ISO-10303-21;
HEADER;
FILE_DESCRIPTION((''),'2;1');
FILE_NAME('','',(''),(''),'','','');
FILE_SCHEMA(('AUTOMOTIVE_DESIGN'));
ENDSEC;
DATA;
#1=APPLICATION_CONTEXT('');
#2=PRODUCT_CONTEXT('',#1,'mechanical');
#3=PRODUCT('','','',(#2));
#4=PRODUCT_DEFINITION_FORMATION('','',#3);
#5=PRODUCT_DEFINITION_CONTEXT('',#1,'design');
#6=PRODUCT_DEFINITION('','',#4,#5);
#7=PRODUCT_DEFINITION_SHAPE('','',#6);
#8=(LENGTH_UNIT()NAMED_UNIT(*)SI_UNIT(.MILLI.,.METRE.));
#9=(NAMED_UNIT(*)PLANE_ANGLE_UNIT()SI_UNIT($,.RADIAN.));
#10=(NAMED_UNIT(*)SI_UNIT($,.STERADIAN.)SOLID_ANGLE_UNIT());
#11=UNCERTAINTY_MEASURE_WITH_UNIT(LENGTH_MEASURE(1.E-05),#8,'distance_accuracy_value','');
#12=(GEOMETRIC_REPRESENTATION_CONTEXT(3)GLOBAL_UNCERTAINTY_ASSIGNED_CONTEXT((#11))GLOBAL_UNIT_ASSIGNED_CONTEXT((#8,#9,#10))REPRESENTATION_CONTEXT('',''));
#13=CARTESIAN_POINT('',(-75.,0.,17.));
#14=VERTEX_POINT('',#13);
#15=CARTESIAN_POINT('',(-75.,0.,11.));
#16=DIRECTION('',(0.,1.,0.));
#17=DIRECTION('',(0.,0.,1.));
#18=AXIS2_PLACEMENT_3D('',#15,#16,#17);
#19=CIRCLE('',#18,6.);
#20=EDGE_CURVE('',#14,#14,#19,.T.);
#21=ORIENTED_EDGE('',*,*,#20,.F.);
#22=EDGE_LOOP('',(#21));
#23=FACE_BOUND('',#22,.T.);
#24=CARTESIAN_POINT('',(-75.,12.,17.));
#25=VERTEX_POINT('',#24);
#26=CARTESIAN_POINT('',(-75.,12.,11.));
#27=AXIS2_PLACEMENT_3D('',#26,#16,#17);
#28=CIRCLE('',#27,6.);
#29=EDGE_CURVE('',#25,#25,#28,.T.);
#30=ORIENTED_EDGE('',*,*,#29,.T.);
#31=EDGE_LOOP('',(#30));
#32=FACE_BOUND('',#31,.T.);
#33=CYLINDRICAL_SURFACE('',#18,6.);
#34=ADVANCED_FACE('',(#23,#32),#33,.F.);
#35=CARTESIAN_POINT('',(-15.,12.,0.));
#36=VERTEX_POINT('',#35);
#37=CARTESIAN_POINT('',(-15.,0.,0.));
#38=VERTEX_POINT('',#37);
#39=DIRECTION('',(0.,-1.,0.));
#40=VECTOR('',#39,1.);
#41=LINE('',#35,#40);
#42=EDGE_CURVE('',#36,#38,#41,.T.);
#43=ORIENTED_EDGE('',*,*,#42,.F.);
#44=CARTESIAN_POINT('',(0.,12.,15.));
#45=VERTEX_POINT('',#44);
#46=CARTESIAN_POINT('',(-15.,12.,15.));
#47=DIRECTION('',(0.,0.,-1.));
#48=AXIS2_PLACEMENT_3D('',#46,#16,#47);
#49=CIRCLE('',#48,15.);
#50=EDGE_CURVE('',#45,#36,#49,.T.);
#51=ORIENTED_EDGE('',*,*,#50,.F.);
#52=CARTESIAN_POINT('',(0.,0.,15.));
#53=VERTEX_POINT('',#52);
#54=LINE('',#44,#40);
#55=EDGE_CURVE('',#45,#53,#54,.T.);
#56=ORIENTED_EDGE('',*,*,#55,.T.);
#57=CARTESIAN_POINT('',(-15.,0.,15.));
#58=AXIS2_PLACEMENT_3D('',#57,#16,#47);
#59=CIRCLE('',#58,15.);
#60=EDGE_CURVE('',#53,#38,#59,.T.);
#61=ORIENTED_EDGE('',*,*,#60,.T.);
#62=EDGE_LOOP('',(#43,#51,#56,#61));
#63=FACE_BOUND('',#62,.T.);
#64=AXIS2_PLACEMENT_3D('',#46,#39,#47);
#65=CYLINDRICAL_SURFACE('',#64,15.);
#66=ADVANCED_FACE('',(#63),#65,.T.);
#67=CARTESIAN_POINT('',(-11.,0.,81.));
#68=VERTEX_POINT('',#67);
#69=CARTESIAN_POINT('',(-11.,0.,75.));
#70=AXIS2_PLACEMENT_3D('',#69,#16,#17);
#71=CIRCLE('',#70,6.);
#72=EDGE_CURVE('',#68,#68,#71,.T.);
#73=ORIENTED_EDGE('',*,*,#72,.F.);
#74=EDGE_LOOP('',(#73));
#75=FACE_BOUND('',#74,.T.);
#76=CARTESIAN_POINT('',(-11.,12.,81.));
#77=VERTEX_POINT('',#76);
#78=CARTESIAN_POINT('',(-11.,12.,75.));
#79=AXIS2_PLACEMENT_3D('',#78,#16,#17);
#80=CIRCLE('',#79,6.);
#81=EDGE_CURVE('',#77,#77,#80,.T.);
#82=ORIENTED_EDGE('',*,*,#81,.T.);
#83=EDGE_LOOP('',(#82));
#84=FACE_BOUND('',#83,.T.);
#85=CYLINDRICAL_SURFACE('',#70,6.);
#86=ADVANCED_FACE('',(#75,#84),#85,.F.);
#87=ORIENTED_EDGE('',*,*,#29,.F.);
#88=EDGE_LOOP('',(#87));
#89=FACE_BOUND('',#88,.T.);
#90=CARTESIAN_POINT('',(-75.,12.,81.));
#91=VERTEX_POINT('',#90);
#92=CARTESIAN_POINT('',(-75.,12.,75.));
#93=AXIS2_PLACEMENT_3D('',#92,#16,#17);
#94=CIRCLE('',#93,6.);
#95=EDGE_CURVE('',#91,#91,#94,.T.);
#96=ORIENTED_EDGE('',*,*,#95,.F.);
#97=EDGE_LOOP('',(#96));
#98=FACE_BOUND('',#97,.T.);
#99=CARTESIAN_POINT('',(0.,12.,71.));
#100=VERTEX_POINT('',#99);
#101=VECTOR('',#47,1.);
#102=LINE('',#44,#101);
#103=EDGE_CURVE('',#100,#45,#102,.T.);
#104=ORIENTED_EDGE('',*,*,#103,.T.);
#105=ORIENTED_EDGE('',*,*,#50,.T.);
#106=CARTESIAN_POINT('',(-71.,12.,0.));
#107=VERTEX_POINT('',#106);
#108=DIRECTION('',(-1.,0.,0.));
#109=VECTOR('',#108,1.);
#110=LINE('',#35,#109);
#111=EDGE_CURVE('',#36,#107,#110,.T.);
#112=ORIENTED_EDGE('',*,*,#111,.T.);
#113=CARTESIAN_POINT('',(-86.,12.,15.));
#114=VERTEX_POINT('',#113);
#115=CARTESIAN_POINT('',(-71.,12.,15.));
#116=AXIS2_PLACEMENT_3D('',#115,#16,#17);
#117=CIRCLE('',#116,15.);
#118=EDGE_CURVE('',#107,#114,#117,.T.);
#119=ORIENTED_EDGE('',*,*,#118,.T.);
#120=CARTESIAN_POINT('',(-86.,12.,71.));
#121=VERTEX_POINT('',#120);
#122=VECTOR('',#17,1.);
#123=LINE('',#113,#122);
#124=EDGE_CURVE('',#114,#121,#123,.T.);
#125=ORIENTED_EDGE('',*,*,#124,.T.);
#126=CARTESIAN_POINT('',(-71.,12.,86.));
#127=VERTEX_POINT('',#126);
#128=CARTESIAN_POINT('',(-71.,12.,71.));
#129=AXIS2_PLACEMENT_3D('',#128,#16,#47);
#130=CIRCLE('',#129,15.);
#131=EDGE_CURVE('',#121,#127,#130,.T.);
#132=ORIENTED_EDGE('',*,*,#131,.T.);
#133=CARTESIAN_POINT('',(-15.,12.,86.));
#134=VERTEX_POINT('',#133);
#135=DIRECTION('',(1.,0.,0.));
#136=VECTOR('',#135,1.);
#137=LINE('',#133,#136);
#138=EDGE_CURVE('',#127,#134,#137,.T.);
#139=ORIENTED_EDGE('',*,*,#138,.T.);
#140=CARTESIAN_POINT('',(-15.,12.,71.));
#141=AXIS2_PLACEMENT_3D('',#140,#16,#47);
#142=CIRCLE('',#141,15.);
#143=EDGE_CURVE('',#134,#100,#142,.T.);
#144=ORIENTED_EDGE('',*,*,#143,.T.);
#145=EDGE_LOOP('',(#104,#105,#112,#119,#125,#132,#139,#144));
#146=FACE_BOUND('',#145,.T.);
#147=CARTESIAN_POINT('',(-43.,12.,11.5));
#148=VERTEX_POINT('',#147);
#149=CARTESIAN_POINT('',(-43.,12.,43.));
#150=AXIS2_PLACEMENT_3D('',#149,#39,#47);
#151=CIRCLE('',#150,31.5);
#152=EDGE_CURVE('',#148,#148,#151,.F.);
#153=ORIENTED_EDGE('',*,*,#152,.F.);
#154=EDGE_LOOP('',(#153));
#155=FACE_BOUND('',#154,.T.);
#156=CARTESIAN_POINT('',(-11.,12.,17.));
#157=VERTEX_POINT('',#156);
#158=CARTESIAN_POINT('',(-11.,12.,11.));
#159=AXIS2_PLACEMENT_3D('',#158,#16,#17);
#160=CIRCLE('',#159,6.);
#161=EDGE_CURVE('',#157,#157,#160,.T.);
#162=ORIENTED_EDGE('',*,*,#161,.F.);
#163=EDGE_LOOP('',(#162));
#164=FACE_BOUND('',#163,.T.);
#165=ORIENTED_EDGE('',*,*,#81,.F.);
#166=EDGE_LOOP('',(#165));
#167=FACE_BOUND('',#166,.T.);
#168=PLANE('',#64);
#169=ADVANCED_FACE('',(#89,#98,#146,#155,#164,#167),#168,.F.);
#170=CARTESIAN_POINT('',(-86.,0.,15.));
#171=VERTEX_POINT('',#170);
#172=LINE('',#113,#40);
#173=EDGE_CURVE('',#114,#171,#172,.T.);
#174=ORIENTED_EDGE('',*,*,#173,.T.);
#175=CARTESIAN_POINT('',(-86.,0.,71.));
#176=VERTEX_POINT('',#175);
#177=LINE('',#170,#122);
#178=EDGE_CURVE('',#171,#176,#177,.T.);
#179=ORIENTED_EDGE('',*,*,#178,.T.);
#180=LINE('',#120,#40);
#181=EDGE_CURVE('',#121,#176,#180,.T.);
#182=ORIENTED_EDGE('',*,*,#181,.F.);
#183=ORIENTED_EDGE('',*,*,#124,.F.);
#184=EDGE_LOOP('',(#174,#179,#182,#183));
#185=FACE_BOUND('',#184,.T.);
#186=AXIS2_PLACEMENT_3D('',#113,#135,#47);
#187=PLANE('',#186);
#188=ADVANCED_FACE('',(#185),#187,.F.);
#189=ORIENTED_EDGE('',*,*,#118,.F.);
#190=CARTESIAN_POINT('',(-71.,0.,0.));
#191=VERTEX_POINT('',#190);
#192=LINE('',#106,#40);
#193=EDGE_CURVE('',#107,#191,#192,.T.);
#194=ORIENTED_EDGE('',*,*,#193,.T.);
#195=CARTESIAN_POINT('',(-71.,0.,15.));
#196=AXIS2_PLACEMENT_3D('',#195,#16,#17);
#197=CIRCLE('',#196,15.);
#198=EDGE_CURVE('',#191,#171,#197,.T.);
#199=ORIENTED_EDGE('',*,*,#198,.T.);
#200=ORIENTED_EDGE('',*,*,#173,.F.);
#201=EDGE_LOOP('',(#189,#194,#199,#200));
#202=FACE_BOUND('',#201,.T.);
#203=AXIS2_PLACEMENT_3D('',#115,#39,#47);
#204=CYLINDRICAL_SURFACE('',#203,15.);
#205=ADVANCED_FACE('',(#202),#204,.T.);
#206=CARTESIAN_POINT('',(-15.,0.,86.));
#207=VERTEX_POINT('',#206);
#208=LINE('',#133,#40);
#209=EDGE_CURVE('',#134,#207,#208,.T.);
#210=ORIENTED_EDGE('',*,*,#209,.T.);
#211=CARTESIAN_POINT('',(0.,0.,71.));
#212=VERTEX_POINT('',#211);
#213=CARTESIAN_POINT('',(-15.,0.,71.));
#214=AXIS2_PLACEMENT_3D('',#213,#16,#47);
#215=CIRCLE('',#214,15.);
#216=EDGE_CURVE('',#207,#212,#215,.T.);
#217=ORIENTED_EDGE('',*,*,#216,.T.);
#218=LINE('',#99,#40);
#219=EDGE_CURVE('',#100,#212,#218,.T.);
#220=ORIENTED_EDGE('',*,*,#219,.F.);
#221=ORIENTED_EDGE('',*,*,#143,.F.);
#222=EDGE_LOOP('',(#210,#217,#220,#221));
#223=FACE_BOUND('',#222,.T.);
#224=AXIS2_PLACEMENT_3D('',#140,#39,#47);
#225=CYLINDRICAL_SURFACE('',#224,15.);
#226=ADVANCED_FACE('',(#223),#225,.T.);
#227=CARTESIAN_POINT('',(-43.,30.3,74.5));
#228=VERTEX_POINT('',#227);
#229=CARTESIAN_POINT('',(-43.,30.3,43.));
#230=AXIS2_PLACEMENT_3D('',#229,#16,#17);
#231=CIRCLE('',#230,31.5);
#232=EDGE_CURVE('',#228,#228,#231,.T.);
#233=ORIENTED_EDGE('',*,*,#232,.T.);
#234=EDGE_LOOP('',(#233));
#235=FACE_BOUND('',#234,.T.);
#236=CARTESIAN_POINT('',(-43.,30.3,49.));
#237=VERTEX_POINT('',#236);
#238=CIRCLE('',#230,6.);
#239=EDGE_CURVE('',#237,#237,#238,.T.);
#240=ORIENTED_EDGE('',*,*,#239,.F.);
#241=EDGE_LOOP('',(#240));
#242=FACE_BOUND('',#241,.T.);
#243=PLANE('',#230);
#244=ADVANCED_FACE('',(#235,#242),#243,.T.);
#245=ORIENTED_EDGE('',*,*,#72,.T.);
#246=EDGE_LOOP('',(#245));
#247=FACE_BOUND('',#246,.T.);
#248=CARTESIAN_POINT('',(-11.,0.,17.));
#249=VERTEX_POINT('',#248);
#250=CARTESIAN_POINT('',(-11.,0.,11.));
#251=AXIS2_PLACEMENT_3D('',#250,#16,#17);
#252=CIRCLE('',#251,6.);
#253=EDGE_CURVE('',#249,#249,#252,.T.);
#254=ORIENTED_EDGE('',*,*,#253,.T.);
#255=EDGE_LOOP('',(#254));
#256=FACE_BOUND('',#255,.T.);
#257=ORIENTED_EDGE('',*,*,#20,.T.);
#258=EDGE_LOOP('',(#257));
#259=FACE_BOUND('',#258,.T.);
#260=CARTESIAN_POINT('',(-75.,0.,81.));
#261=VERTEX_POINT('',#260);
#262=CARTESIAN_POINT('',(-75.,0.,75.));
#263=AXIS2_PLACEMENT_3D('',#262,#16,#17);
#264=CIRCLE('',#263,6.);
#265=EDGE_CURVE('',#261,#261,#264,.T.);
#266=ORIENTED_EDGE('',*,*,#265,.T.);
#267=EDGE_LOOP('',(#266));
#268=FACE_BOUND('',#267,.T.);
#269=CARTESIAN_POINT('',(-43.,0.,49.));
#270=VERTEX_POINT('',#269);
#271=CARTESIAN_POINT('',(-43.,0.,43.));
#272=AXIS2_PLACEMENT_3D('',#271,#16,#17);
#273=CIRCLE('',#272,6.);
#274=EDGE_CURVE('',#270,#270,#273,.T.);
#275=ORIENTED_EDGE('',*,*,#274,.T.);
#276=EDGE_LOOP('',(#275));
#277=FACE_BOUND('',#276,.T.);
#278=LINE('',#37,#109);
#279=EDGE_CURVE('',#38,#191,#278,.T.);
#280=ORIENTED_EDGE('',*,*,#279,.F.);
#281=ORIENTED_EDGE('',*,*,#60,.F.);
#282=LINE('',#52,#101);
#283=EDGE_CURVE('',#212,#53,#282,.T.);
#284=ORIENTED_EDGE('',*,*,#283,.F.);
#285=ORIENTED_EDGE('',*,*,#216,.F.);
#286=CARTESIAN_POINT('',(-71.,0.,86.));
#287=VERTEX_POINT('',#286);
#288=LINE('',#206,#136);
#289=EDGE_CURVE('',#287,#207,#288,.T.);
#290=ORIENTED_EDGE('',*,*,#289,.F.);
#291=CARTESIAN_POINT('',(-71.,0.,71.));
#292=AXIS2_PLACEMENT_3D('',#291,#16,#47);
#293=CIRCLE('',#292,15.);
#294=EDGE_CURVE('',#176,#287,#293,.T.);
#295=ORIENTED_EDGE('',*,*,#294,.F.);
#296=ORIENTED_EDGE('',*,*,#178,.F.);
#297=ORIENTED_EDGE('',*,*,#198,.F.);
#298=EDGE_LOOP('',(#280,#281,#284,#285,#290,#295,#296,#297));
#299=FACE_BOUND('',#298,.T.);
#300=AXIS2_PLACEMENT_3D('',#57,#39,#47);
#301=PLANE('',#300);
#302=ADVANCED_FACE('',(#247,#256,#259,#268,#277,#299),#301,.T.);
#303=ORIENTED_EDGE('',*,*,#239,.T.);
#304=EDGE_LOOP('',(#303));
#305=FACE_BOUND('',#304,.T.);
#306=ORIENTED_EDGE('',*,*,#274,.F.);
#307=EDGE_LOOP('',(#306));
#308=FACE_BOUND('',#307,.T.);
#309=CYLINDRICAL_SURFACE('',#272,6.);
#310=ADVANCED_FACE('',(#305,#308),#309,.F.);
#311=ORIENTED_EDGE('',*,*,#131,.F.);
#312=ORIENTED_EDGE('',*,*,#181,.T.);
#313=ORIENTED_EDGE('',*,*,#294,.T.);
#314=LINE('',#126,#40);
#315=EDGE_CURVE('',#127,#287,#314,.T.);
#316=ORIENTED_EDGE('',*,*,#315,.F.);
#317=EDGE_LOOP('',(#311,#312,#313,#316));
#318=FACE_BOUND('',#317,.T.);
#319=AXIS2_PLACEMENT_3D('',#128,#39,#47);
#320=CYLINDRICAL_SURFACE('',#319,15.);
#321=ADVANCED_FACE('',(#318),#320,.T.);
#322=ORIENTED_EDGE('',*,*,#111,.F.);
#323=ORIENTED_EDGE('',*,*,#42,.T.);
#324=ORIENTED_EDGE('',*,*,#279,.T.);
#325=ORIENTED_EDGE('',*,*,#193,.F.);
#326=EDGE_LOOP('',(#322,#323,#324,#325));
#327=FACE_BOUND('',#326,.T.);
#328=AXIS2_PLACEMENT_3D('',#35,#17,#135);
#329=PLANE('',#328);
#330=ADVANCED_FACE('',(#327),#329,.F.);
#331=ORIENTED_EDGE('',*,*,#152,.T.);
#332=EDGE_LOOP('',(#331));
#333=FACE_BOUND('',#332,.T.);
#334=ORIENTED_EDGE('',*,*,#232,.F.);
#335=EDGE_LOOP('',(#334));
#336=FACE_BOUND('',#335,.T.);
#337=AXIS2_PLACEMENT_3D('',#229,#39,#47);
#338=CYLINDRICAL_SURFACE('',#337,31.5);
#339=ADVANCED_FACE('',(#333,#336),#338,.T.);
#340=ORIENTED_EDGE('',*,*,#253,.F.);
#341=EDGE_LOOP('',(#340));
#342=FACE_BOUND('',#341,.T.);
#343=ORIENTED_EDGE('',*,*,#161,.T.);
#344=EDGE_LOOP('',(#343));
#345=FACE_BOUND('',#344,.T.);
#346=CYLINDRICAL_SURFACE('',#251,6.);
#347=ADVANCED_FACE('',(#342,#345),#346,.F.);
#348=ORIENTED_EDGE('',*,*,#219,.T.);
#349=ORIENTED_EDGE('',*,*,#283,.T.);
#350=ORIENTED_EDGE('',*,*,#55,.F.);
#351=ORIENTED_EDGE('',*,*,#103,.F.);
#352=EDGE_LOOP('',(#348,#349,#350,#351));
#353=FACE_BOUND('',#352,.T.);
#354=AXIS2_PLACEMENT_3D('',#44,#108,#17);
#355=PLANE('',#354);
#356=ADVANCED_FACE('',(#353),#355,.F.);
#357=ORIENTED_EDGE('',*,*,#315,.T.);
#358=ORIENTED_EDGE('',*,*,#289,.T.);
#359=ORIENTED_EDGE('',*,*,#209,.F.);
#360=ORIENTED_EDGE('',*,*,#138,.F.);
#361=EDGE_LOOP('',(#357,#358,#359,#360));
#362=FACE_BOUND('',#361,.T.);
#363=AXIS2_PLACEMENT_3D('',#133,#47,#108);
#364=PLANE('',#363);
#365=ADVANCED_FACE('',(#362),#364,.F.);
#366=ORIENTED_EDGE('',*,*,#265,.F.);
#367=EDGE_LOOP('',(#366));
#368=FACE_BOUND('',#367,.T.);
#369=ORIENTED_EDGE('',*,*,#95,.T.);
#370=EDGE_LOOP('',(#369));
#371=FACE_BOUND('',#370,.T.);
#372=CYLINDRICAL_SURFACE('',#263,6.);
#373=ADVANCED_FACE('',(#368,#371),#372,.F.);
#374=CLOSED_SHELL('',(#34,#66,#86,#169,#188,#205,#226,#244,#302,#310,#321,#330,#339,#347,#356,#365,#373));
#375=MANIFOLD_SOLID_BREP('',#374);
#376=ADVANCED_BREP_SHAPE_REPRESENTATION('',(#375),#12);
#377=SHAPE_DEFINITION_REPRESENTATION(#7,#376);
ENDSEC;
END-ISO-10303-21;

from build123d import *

# Parameters (mm, degrees)
BOSS_EXTRUDE1_DEPTH = 12
SKETCH2_R           = 6
CUT_EXTRUDE1_DEPTH  = 12
SKETCH3_R           = 31.5
BOSS_EXTRUDE2_DEPTH = 18.3
SKETCH4_R           = 6
CUT_EXTRUDE2_DEPTH  = 31.3


with BuildPart() as part:
    # Sketch1 → Boss-Extrude1 (new body)
    with BuildSketch(Plane(origin=(0, 0, 0), x_dir=(1, 0, 0), z_dir=(0, 1, 0))):
        with BuildLine():
            Line((-15, 0), (-71, 0))
            ThreePointArc((-71, 0), (-81.606601718, -4.393398282), (-86, -15))
            Line((-86, -15), (-86, -71))
            ThreePointArc((-86, -71), (-81.606601718, -81.606601718), (-71, -86))
            Line((-71, -86), (-15, -86))
            ThreePointArc((-15, -86), (-4.393398282, -81.606601718), (0, -71))
            Line((0, -71), (0, -15))
            ThreePointArc((0, -15), (-4.393398282, -4.393398282), (-15, 0))
        make_face()
    extrude(amount=BOSS_EXTRUDE1_DEPTH)

    # Sketch2 → Cut-Extrude1 (cut)
    with BuildSketch(Plane(origin=(0, 12, 0), x_dir=(1, 0, 0), z_dir=(0, 1, 0))):
        with Locations((-75, -11)):
            Circle(SKETCH2_R)
        with Locations((-11, -11)):
            Circle(SKETCH2_R)
        with Locations((-11, -75)):
            Circle(SKETCH2_R)
        with Locations((-75, -75)):
            Circle(SKETCH2_R)
    extrude(amount=-CUT_EXTRUDE1_DEPTH, mode=Mode.SUBTRACT)

    # Sketch3 → Boss-Extrude2 (add)
    with BuildSketch(Plane(origin=(0, 12, 0), x_dir=(1, 0, 0), z_dir=(0, 1, 0))):
        with Locations((-43, -43)):
            Circle(SKETCH3_R)
    extrude(amount=BOSS_EXTRUDE2_DEPTH)

    # Sketch4 → Cut-Extrude2 (cut, through all)
    with BuildSketch(Plane(origin=(0, 30.3, 0), x_dir=(1, 0, 0), z_dir=(0, 1, 0))):
        with Locations((-43, -43)):
            Circle(SKETCH4_R)
    extrude(amount=-CUT_EXTRUDE2_DEPTH, mode=Mode.SUBTRACT)


solid = part.part
